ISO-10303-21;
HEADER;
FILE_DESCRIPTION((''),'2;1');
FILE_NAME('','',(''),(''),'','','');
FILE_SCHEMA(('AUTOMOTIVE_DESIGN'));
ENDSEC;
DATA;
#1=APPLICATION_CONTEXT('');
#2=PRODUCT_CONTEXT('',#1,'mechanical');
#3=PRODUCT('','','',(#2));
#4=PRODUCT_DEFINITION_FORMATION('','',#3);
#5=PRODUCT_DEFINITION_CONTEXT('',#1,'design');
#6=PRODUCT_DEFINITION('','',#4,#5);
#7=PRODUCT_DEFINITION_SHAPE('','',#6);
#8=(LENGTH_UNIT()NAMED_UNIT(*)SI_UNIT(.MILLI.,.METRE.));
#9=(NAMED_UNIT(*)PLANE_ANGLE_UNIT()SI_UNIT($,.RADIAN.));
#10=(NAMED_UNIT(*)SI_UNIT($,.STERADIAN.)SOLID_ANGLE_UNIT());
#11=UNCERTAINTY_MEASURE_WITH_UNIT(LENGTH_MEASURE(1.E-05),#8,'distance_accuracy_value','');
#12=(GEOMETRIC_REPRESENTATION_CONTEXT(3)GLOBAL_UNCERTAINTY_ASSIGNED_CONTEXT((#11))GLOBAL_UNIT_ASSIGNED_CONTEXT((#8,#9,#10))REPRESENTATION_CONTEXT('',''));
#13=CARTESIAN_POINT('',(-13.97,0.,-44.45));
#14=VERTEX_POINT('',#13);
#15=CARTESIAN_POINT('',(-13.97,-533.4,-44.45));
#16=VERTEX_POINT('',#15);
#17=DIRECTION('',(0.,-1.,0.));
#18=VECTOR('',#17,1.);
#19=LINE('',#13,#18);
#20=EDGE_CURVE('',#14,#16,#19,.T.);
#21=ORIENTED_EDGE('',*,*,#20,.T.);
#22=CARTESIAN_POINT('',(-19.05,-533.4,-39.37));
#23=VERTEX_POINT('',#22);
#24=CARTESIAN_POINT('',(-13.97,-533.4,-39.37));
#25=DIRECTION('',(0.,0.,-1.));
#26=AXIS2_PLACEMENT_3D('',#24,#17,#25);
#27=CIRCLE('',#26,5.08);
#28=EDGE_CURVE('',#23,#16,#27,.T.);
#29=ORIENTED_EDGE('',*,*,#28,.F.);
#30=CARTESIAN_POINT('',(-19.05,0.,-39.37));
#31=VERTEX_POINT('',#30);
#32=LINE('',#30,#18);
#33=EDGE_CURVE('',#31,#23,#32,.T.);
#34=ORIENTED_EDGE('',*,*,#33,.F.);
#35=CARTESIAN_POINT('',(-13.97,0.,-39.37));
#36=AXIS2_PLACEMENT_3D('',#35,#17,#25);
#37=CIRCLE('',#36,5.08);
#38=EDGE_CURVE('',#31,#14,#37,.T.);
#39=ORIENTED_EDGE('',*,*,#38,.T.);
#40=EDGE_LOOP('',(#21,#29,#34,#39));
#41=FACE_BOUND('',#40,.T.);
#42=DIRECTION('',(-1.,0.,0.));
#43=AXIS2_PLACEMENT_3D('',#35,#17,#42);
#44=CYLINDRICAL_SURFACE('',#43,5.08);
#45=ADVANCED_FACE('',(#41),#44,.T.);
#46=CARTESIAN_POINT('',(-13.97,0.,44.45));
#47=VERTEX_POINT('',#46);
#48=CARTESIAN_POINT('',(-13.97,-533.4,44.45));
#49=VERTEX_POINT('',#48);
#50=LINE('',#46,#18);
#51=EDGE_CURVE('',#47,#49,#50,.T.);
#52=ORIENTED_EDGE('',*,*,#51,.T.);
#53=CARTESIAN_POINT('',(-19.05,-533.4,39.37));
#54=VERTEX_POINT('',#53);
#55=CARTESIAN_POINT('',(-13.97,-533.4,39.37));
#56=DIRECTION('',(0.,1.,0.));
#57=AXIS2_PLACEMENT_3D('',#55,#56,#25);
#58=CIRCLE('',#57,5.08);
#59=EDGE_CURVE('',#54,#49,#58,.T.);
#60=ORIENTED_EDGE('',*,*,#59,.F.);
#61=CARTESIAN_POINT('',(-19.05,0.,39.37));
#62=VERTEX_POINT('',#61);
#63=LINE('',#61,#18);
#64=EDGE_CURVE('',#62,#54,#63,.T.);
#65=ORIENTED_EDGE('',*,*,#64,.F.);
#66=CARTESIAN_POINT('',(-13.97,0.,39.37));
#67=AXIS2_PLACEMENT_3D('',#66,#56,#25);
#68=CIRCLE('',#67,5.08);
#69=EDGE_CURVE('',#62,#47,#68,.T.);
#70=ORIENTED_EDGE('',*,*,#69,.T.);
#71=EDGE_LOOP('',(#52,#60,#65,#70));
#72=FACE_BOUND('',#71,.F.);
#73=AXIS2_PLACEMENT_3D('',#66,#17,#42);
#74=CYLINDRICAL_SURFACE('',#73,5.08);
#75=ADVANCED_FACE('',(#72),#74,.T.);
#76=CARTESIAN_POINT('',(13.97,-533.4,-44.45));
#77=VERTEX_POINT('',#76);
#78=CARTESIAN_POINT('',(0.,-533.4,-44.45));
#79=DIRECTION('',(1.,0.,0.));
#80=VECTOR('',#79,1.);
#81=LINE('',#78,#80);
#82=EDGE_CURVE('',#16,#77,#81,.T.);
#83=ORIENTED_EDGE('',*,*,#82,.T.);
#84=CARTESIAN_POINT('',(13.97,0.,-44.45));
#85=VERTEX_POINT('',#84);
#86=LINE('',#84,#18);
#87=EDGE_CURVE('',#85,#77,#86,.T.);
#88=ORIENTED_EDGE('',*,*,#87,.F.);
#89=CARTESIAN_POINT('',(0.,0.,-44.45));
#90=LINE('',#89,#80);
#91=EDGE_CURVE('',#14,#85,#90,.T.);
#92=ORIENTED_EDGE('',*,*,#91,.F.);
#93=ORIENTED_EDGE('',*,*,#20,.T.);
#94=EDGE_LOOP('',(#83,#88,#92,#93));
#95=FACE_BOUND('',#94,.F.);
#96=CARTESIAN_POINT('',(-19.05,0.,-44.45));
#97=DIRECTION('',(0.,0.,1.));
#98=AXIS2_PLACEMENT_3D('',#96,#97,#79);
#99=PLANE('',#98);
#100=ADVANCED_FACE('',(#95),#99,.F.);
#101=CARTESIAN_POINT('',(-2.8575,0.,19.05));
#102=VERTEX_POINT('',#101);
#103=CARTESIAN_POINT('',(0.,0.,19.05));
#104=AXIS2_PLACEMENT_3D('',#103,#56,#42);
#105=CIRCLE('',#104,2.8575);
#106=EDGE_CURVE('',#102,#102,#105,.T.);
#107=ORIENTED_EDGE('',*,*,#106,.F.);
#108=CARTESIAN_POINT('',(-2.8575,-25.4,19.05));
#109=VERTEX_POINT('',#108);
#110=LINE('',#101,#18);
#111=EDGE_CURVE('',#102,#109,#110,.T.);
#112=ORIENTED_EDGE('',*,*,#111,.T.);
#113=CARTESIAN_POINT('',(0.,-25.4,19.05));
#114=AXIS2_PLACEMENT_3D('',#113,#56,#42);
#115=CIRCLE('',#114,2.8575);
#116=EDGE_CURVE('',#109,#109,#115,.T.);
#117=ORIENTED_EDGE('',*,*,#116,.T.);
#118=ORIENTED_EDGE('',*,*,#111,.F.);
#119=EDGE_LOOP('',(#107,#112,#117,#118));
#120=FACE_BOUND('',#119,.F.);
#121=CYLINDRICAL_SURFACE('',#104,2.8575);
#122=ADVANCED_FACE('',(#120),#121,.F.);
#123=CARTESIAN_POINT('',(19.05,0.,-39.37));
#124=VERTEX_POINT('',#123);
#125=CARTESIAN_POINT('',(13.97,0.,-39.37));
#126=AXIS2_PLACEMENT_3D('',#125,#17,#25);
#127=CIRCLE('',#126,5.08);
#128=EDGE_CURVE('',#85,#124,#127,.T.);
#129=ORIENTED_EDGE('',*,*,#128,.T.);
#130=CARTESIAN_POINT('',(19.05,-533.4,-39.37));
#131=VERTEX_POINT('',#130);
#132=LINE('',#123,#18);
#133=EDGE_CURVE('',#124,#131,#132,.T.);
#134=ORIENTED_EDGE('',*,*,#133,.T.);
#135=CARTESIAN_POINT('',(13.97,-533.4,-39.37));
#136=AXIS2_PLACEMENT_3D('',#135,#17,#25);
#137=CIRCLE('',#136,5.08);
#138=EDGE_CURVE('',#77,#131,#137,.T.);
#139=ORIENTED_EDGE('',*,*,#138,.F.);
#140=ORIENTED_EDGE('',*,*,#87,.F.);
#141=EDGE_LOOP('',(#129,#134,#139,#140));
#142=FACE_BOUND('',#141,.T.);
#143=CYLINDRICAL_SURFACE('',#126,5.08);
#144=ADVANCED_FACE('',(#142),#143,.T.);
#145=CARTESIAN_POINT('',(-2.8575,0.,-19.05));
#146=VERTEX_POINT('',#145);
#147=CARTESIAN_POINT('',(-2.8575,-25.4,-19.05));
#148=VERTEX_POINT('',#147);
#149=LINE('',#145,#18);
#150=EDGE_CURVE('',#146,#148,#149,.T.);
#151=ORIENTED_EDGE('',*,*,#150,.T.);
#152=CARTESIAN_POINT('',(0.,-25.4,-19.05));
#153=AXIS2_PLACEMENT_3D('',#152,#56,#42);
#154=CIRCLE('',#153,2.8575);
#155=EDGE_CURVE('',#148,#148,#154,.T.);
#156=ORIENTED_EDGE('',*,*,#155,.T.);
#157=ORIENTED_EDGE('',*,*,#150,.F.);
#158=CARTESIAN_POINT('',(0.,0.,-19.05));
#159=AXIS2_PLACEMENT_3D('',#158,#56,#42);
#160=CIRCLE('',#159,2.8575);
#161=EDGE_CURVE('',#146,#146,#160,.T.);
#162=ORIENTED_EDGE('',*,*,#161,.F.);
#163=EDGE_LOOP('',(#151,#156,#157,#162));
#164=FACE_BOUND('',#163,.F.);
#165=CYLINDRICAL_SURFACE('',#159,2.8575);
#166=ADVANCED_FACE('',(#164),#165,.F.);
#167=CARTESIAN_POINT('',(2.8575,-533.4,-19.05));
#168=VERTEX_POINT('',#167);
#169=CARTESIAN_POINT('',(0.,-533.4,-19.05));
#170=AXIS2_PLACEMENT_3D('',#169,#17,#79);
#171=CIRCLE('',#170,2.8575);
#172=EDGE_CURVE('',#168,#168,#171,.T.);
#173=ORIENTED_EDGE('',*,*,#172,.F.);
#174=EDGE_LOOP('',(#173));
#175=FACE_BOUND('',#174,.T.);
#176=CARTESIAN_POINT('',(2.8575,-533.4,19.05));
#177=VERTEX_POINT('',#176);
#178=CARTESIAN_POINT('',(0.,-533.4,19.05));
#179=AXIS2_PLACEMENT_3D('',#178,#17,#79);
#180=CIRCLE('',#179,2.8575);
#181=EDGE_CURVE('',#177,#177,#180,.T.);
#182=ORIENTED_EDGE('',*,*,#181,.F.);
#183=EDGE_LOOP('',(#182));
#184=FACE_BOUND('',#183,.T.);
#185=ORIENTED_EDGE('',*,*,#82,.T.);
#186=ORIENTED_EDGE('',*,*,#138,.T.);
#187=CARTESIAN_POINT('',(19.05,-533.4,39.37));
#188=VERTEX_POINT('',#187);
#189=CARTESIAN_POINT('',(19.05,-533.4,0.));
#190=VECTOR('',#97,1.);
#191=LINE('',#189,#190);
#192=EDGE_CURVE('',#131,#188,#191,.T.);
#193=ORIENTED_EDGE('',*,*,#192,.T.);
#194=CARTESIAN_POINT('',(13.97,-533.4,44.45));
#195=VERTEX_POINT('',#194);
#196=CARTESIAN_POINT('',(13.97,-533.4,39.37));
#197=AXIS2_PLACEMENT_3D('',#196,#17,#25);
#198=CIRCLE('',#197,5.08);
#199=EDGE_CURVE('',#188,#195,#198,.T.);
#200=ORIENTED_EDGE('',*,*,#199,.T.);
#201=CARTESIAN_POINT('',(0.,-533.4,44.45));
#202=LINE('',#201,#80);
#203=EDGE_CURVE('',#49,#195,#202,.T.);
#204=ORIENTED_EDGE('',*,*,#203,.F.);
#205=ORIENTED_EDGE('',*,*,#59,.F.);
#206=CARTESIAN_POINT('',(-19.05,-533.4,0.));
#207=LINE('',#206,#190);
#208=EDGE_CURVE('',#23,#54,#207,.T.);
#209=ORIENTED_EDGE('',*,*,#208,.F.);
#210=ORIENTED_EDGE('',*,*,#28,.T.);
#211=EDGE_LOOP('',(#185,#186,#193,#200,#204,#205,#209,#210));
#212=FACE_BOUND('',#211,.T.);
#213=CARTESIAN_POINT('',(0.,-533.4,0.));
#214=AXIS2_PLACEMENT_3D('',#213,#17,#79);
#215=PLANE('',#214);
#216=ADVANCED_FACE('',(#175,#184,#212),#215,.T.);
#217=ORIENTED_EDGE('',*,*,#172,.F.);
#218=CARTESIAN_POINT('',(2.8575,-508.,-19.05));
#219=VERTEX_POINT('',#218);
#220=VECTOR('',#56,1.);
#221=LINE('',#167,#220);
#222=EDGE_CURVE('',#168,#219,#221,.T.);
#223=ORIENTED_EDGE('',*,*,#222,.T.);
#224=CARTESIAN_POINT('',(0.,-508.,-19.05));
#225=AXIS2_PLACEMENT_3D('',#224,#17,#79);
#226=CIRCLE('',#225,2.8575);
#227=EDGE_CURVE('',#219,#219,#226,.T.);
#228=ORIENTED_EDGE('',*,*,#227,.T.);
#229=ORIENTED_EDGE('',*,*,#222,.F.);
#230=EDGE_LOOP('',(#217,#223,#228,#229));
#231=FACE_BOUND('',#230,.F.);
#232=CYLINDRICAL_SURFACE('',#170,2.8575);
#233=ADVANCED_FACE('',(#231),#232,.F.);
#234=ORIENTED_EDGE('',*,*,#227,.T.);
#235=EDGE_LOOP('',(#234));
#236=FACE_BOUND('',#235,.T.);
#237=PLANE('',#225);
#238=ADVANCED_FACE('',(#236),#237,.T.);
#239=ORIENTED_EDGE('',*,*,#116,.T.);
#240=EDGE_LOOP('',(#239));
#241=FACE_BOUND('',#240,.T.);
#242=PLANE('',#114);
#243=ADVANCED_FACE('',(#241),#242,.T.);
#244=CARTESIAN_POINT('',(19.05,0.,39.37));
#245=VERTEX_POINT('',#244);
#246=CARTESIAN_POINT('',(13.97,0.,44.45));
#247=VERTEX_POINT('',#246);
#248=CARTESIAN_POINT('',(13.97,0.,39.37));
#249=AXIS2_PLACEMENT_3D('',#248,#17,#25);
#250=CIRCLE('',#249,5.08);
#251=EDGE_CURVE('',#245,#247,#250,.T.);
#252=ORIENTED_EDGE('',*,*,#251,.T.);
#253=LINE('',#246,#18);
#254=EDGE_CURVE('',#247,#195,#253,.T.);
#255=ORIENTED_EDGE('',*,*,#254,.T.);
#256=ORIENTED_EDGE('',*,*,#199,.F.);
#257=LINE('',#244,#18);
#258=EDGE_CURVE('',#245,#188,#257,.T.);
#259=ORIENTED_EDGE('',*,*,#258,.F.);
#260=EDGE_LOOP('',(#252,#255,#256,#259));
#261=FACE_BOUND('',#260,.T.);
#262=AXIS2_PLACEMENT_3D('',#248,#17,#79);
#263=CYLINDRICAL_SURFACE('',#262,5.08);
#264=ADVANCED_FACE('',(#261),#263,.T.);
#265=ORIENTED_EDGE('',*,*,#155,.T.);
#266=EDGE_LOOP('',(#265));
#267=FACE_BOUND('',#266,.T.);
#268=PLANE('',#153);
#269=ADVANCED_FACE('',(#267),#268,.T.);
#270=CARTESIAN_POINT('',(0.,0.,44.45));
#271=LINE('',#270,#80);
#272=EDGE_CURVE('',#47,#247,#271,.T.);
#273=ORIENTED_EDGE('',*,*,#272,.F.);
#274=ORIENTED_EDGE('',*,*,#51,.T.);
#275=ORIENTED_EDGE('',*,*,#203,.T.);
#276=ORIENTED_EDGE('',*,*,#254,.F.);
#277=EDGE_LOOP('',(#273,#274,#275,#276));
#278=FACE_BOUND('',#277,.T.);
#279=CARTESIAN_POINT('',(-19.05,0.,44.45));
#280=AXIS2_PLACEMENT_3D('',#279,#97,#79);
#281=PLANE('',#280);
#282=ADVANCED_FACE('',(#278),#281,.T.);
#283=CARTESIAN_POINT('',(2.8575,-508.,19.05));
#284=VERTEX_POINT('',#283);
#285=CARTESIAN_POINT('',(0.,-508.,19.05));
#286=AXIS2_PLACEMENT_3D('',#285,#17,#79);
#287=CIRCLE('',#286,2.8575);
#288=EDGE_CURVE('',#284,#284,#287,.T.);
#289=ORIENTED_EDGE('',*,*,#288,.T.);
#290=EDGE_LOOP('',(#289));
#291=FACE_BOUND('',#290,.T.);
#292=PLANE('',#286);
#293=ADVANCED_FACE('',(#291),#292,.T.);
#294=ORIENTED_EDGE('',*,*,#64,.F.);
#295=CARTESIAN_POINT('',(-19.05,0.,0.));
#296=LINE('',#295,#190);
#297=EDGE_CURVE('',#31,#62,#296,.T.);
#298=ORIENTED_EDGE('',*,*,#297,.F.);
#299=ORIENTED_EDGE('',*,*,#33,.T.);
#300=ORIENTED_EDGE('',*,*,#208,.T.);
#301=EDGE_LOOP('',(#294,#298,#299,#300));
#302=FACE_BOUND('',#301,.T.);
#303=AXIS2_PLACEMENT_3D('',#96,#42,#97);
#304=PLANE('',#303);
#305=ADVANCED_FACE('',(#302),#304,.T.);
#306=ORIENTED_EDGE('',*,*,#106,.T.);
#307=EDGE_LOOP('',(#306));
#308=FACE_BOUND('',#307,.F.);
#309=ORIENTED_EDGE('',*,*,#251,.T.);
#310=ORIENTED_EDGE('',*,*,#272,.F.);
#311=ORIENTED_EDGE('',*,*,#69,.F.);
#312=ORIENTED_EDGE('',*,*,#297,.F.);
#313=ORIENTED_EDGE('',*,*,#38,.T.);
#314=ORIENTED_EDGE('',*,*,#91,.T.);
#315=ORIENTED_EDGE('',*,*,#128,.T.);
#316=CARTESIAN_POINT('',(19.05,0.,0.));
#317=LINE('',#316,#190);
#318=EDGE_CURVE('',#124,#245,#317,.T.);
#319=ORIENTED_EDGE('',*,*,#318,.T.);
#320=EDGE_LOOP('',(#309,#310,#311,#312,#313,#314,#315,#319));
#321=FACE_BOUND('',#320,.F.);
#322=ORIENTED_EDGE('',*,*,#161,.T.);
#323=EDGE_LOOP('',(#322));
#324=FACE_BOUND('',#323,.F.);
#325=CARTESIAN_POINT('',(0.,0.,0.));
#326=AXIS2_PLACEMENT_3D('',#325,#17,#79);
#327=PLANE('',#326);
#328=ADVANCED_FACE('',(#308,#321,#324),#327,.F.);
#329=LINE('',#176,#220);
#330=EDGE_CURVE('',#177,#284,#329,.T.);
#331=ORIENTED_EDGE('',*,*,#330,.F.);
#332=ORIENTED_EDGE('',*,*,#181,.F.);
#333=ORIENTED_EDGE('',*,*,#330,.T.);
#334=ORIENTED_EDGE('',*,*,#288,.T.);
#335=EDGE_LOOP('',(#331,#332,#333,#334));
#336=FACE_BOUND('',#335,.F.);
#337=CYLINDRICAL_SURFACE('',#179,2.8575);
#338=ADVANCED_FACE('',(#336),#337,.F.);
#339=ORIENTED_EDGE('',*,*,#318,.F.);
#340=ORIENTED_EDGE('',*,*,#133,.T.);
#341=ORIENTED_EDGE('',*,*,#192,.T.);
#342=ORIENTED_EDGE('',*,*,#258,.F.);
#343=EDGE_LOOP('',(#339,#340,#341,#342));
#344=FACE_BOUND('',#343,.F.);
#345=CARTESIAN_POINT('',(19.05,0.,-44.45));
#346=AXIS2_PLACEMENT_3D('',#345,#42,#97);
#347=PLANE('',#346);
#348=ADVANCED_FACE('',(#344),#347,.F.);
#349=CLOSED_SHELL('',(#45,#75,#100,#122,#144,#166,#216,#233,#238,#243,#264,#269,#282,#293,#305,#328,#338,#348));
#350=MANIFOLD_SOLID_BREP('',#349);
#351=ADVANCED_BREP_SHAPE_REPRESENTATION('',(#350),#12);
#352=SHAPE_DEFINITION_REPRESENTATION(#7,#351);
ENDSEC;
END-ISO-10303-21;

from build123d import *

# Parameters (mm, degrees)
F0_W     = 38.1
F0_H     = 88.9
F1_DEPTH = 533.4
F2_R     = 5.08
F3_R     = 2.8575
F4_DEPTH = 25.4
F5_R     = 2.8575
F6_DEPTH = 25.4


with BuildPart() as f1:
    # F0 (on Front) → F1 (new body)
    with BuildSketch(Plane.XZ):
        Rectangle(F0_W, F0_H)
    extrude(amount=F1_DEPTH)

    # F2
    f2_edges = [f1.edges().sort_by_distance(p)[0] for p in [
        (19.05, -266.7, 44.45),
        (-19.05, -266.7, 44.45),
        (19.05, -266.7, -44.45),
        (-19.05, -266.7, -44.45),
    ]]
    fillet(f2_edges, radius=F2_R)

    # F3 (on face) → F4 (cut)
    with BuildSketch(Plane.XZ.offset(533.4)):
        with Locations((0, -19.05)):
            Circle(F3_R)
        with Locations((0, 19.05)):
            Circle(F3_R)
    extrude(amount=-F4_DEPTH, mode=Mode.SUBTRACT)

    # F5 (on face) → F6 (cut)
    with BuildSketch(Plane(origin=(0, 0, 0), x_dir=(-1, 0, 0), z_dir=(0, 1, 0))):
        with Locations((0, 19.05)):
            Circle(F5_R)
        with Locations((0, -19.05)):
            Circle(F5_R)
    extrude(amount=-F6_DEPTH, mode=Mode.SUBTRACT)


solid = f1.part
